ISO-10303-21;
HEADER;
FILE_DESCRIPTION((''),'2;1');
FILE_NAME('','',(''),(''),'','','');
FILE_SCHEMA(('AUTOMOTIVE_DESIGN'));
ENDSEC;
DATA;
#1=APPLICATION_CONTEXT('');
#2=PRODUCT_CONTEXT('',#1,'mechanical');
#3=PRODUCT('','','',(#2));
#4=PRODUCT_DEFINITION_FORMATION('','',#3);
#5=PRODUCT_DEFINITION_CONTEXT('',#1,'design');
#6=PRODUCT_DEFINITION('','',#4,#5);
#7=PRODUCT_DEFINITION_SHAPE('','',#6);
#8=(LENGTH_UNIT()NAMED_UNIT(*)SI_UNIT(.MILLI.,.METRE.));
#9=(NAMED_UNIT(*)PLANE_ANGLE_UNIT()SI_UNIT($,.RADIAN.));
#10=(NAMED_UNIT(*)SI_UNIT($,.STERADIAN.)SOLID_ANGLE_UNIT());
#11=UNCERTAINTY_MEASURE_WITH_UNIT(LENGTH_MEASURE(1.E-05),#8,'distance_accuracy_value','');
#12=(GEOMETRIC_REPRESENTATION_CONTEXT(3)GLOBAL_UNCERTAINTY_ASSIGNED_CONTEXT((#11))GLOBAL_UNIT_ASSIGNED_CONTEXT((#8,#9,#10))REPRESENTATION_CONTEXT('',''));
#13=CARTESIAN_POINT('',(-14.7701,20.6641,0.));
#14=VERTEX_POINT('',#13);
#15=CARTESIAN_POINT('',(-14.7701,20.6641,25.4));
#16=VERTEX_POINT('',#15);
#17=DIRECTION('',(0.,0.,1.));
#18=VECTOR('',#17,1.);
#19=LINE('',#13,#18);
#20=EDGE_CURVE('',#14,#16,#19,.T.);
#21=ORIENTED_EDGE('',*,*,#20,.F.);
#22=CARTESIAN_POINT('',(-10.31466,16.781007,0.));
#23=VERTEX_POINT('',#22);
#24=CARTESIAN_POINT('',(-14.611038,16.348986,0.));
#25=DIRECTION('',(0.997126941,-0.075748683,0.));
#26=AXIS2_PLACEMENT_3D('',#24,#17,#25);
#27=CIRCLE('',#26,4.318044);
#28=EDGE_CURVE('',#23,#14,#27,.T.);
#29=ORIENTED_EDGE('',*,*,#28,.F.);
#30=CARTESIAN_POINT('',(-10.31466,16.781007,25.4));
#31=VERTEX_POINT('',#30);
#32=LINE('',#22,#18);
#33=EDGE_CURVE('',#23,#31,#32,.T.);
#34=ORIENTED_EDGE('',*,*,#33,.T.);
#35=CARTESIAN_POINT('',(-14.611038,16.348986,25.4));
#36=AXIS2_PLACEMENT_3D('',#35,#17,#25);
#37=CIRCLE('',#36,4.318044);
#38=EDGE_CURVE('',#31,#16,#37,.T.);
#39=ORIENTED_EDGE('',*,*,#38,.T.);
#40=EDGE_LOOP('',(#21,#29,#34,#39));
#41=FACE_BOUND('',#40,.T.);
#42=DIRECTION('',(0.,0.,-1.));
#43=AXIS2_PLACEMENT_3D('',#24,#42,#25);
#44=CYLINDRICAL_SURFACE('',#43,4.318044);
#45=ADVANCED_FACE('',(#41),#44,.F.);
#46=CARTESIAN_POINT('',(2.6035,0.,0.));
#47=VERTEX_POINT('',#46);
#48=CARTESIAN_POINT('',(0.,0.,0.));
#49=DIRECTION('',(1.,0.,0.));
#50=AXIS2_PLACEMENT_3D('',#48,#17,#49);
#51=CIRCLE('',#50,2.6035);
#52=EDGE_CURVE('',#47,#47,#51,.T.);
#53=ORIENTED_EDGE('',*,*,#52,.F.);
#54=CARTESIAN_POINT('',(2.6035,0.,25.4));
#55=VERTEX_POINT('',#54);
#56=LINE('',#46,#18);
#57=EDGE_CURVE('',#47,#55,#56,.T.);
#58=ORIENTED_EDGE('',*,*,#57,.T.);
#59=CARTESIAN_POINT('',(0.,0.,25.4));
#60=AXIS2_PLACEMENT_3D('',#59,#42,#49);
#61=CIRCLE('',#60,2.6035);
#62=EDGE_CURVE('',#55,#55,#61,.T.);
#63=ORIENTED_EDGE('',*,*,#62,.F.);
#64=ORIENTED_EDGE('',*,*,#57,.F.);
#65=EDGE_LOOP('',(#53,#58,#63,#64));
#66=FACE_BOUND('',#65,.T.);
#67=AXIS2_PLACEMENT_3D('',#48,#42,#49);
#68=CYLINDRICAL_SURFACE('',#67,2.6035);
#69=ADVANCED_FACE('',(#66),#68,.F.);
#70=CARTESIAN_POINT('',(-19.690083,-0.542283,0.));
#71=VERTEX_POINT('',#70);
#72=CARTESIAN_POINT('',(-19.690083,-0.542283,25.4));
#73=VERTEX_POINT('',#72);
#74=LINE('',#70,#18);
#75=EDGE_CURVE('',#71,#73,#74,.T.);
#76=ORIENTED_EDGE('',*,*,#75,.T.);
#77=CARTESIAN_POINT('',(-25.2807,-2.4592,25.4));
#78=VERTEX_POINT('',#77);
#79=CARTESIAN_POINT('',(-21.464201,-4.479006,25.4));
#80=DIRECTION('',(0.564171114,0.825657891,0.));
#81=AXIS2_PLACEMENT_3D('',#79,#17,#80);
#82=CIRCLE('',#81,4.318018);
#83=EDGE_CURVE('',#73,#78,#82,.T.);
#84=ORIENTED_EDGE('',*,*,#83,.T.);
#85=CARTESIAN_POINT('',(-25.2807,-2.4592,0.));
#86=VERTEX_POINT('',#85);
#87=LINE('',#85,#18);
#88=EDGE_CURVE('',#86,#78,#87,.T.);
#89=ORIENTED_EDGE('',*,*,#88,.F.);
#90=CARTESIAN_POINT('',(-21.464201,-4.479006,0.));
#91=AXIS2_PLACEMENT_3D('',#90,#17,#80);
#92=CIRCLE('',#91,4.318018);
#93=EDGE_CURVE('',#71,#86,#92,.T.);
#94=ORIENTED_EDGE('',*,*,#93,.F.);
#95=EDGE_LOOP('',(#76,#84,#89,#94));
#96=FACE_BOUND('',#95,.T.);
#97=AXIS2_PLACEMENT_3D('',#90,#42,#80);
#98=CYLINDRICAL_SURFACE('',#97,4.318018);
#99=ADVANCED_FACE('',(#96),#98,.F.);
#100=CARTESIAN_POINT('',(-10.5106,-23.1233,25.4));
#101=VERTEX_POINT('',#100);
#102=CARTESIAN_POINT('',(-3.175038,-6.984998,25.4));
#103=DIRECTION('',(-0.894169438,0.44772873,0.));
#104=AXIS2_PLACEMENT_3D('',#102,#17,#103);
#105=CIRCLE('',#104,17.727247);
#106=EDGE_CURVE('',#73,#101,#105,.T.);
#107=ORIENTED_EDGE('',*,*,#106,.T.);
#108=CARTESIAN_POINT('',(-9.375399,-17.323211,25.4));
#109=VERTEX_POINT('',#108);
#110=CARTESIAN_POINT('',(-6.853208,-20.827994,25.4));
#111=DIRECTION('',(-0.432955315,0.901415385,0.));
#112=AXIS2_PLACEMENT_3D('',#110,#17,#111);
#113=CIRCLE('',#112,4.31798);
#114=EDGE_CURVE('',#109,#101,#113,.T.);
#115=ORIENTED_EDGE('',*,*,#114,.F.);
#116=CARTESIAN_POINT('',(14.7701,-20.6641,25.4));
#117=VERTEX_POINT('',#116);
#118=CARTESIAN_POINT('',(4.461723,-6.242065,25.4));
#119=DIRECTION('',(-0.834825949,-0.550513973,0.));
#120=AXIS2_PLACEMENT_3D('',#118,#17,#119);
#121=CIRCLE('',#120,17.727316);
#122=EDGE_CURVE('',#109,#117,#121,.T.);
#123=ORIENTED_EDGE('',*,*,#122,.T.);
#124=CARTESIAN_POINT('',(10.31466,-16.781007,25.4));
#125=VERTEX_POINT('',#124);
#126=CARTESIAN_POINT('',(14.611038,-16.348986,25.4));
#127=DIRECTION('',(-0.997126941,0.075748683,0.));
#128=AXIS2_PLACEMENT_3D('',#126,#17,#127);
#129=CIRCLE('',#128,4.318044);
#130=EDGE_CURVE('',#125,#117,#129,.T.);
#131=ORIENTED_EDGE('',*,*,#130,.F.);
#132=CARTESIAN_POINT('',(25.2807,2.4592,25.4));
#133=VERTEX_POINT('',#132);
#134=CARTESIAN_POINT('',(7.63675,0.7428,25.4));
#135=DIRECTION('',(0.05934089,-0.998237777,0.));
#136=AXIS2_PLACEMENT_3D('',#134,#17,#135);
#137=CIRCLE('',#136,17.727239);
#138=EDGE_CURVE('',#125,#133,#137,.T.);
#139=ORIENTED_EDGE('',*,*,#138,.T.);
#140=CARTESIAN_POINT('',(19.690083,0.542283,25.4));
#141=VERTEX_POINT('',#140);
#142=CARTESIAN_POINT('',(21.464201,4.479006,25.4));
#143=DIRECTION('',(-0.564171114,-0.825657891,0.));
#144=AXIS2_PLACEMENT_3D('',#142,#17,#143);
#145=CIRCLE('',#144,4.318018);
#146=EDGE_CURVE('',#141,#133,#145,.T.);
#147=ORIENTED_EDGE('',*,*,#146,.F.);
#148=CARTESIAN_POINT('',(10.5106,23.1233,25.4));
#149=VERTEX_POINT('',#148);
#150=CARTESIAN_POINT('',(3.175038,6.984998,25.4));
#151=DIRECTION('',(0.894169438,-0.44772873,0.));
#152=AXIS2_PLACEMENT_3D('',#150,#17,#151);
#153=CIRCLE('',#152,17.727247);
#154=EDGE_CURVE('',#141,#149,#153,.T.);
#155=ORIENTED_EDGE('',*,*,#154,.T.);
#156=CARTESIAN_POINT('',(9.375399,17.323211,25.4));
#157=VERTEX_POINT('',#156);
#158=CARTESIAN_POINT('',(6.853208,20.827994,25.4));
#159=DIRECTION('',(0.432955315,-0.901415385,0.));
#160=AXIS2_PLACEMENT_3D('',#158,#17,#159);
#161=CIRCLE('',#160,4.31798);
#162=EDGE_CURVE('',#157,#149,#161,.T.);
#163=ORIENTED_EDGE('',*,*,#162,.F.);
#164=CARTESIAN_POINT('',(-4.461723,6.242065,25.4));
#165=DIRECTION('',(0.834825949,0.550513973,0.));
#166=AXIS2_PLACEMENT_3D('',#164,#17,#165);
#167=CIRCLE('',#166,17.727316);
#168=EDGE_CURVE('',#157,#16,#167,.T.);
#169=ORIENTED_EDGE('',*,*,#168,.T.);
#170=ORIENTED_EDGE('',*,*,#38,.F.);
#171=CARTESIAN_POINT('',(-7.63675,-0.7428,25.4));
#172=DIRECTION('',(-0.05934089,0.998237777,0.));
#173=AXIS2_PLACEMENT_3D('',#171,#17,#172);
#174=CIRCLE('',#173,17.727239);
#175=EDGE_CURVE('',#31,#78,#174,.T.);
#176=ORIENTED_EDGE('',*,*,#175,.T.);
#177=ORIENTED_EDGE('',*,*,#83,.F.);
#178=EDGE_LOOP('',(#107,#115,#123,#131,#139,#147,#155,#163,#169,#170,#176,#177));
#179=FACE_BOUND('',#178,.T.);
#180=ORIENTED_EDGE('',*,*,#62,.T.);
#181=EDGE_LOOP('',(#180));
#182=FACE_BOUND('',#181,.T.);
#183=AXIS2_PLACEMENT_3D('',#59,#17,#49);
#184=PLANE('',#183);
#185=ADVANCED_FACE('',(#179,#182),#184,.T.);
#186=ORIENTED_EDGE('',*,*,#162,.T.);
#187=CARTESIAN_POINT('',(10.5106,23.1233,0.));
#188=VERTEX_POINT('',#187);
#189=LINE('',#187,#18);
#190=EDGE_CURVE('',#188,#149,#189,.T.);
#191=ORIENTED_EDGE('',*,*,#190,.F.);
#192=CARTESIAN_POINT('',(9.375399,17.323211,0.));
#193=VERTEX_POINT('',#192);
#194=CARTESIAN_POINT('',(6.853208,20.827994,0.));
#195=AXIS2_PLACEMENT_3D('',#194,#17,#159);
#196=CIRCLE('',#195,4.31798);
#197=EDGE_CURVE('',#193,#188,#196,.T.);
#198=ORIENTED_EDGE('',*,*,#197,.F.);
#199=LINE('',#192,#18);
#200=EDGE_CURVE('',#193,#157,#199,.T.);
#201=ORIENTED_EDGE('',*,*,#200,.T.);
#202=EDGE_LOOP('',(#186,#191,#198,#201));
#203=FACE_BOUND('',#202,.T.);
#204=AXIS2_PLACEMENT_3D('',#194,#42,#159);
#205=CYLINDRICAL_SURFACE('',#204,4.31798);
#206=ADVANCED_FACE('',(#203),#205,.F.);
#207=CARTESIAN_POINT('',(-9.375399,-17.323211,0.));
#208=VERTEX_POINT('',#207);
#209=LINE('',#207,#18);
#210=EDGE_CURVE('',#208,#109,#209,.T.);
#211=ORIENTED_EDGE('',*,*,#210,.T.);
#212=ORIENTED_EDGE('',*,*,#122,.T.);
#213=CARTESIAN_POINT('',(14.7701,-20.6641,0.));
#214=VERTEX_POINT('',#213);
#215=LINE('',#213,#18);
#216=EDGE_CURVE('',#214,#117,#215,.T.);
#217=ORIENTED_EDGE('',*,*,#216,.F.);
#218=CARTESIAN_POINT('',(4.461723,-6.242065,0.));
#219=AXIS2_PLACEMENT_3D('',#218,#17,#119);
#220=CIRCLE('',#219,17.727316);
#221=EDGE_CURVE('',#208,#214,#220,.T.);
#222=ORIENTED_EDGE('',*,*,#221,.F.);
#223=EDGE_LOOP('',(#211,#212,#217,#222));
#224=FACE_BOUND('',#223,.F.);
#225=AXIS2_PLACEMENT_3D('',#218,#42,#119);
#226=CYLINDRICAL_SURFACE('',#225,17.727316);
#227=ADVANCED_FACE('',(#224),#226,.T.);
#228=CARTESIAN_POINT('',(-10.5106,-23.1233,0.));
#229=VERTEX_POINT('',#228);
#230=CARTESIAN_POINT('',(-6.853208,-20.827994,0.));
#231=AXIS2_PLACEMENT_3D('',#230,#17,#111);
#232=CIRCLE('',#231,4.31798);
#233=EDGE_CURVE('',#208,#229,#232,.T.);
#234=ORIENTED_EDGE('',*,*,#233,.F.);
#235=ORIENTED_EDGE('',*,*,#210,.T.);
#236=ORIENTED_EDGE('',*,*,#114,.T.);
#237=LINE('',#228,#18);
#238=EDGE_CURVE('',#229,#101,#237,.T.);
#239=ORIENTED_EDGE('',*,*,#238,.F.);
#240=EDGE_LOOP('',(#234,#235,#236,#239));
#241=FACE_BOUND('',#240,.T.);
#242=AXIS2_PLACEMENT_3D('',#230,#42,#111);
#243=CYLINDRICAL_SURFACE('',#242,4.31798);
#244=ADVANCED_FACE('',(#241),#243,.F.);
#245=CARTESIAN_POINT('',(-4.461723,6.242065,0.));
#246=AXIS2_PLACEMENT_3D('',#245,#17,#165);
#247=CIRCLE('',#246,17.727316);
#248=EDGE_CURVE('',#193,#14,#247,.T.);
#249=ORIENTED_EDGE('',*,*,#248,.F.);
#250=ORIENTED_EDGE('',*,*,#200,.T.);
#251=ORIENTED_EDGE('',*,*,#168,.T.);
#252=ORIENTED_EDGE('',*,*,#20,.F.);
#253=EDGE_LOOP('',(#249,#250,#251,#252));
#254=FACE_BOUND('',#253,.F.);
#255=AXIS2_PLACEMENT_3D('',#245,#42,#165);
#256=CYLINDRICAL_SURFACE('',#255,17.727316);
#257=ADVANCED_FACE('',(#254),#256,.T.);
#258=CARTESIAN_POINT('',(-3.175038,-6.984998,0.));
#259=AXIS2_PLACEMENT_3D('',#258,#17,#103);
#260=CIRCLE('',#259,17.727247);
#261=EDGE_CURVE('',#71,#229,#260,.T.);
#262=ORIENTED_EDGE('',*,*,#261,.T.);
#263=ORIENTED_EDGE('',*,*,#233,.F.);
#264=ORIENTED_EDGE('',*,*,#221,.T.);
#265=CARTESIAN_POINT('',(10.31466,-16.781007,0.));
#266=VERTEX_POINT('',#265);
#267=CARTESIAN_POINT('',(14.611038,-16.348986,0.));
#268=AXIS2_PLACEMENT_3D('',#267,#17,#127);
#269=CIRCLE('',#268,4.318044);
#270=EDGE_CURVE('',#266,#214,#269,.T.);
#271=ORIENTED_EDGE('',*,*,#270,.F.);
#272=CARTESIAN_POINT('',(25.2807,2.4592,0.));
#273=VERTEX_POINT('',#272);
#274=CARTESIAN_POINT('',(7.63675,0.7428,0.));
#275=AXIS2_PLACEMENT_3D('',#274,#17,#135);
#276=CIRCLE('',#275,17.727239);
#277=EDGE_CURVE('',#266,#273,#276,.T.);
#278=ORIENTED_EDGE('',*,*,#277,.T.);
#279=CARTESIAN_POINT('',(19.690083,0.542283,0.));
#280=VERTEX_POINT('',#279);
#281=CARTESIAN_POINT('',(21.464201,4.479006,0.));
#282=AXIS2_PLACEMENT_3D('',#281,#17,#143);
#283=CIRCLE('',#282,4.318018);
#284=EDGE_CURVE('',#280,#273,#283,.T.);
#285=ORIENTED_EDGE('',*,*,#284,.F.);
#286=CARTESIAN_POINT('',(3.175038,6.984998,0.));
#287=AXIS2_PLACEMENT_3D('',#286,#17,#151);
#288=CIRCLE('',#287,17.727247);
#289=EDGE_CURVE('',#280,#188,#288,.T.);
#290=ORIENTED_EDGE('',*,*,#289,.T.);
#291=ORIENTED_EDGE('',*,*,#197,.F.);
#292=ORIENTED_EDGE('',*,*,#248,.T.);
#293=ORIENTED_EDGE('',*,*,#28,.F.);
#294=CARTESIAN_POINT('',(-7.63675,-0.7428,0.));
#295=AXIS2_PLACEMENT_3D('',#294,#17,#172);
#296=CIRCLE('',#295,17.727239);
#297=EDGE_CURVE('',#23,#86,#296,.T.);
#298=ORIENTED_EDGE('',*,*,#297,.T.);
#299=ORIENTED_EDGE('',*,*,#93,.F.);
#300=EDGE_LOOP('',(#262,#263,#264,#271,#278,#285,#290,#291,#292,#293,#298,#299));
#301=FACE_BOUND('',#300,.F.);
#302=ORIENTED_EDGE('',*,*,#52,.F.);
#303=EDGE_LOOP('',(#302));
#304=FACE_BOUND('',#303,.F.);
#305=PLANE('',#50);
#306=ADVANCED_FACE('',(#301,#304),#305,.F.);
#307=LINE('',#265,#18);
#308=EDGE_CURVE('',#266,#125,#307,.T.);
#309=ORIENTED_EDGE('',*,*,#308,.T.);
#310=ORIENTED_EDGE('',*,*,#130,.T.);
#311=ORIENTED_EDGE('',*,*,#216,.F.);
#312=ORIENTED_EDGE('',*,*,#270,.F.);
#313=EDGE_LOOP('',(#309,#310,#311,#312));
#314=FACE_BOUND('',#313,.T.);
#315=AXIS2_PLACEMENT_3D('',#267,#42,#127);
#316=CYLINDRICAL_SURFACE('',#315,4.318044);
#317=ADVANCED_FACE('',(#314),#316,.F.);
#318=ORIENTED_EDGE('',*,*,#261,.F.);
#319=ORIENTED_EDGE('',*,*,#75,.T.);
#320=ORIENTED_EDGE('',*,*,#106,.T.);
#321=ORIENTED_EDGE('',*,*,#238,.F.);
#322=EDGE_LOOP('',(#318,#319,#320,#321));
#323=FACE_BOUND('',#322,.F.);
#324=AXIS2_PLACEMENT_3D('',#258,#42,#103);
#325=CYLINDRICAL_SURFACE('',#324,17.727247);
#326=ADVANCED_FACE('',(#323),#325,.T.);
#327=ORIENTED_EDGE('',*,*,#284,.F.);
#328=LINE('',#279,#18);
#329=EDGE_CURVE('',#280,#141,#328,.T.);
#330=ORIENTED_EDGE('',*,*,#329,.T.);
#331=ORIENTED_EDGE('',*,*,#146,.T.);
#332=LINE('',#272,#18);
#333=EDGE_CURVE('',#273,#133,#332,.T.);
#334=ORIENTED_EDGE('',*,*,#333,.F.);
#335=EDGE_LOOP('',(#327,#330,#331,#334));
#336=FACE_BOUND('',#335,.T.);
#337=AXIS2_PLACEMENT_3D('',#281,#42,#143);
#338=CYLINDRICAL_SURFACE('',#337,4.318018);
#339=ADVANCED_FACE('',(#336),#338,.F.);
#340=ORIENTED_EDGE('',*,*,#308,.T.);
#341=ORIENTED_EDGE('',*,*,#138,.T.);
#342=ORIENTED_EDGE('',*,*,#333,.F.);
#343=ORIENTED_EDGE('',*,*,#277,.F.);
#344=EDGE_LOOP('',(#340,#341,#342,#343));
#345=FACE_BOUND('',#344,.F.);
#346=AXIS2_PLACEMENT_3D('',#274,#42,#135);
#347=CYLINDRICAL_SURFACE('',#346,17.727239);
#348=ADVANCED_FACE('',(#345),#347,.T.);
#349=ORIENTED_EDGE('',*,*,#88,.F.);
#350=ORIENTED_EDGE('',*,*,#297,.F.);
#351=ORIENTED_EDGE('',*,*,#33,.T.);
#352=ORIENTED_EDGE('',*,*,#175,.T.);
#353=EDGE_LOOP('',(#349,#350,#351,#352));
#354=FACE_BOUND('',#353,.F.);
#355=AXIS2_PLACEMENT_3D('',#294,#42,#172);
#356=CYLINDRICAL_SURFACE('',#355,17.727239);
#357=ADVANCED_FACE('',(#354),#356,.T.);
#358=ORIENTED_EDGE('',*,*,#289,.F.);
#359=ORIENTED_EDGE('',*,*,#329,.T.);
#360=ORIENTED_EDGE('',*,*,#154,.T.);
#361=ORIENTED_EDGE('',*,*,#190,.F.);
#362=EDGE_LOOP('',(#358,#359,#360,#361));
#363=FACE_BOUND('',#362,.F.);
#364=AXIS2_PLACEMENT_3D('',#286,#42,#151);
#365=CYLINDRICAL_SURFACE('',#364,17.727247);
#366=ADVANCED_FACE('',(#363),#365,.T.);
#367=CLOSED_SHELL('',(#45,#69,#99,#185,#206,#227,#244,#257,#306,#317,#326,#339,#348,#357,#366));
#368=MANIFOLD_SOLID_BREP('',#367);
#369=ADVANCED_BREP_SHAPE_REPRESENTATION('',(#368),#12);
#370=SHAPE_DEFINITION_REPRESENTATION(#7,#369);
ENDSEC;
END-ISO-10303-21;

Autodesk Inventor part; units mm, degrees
ref_plane "YZ Plane" through (0, 0, 0) normal (1, 0, 0) x (0, 1, 0)
ref_plane "XZ Plane" through (0, 0, 0) normal (0, 1, 0) x (-1, 0, 0)
ref_plane "XY Plane" through (0, 0, 0) normal (0, 0, 1) x (1, 0, 0)
sketch "Sketch1" plane through (0, 0, 0) normal (0, 0, 1) x (1, 0, 0)
  circle A0 centre (0, 0) radius 25.4 construction
  circle A1 centre (0, 0) radius 19.05
  arc A2 (19.0262, -0.952) -> (10.5106, 23.1233) centre (3.175, 6.985) ccw
  arc A3 (8.7227, 16.9357) -> (10.5106, 23.1233) centre (6.8532, 20.828) ccw
  arc A4 (-10.3054, 16.0219) -> (-14.7701, 20.6641) centre (-14.611, 16.349) ccw
  arc A5 (10.3375, 16.0012) -> (-14.7701, 20.6641) centre (-4.4617, 6.2421) ccw
  arc A6 (-19.0281, -0.9138) -> (-25.2807, -2.4592) centre (-21.4642, -4.479) ccw
  arc A7 (-8.6887, 16.9532) -> (-25.2807, -2.4592) centre (-7.6367, -0.7429) ccw
  arc A8 (-8.7227, -16.9357) -> (-10.5106, -23.1233) centre (-6.8532, -20.828) ccw
  arc A9 (-19.0262, 0.952) -> (-10.5106, -23.1233) centre (-3.175, -6.985) ccw
  arc A10 (10.3054, -16.0219) -> (14.7701, -20.6641) centre (14.611, -16.349) ccw
  arc A11 (-10.3375, -16.0012) -> (14.7701, -20.6641) centre (4.4617, -6.2421) ccw
  arc A12 (19.0281, 0.9138) -> (25.2807, 2.4592) centre (21.4642, 4.479) ccw
  arc A13 (8.6887, -16.9532) -> (25.2807, 2.4592) centre (7.6367, 0.7429) ccw
  circle A14 centre (0, 0) radius 2.6035
  point P0 (9.3754, 17.3232)
  point P1 (-10.3146, 16.781)
  point P2 (-19.6901, -0.5423)
  point P3 (-9.3754, -17.3232)
  point P4 (10.3146, -16.781)
  point P5 (19.6901, 0.5423)
  dimension "d0" = 50.8
  dimension "d1" = 38.1
  dimension "d3" = 4.318
  dimension "d4" = 6.985
  dimension "d5" = 3.175
  dimension "d6" = 20.828
  dimension "d9" = 360
  dimension "d11" = 5.207
extrude "Extrusion1" add sketch "Sketch1" along normal blind 25.4 contours A1 | A1 A12 A2 | A1 A5 A3 A2 A12 | A2 A12 A13 A10 A1 | A1 A3 A5 | A10 A13 A1 | A1 A7 A4 A5 A3 | A13 A10 A11 A8 A1 | A1 A4 A7 | A8 A11 A1 | A1 A9 A6 A7 A4 | A11 A8 A9 A6 A1 | A1 A6 A9 | A14
extrude "Extrusion2" cut sketch "Sketch1" along normal through all contours A14
properties part number "THE_WHEEL"
